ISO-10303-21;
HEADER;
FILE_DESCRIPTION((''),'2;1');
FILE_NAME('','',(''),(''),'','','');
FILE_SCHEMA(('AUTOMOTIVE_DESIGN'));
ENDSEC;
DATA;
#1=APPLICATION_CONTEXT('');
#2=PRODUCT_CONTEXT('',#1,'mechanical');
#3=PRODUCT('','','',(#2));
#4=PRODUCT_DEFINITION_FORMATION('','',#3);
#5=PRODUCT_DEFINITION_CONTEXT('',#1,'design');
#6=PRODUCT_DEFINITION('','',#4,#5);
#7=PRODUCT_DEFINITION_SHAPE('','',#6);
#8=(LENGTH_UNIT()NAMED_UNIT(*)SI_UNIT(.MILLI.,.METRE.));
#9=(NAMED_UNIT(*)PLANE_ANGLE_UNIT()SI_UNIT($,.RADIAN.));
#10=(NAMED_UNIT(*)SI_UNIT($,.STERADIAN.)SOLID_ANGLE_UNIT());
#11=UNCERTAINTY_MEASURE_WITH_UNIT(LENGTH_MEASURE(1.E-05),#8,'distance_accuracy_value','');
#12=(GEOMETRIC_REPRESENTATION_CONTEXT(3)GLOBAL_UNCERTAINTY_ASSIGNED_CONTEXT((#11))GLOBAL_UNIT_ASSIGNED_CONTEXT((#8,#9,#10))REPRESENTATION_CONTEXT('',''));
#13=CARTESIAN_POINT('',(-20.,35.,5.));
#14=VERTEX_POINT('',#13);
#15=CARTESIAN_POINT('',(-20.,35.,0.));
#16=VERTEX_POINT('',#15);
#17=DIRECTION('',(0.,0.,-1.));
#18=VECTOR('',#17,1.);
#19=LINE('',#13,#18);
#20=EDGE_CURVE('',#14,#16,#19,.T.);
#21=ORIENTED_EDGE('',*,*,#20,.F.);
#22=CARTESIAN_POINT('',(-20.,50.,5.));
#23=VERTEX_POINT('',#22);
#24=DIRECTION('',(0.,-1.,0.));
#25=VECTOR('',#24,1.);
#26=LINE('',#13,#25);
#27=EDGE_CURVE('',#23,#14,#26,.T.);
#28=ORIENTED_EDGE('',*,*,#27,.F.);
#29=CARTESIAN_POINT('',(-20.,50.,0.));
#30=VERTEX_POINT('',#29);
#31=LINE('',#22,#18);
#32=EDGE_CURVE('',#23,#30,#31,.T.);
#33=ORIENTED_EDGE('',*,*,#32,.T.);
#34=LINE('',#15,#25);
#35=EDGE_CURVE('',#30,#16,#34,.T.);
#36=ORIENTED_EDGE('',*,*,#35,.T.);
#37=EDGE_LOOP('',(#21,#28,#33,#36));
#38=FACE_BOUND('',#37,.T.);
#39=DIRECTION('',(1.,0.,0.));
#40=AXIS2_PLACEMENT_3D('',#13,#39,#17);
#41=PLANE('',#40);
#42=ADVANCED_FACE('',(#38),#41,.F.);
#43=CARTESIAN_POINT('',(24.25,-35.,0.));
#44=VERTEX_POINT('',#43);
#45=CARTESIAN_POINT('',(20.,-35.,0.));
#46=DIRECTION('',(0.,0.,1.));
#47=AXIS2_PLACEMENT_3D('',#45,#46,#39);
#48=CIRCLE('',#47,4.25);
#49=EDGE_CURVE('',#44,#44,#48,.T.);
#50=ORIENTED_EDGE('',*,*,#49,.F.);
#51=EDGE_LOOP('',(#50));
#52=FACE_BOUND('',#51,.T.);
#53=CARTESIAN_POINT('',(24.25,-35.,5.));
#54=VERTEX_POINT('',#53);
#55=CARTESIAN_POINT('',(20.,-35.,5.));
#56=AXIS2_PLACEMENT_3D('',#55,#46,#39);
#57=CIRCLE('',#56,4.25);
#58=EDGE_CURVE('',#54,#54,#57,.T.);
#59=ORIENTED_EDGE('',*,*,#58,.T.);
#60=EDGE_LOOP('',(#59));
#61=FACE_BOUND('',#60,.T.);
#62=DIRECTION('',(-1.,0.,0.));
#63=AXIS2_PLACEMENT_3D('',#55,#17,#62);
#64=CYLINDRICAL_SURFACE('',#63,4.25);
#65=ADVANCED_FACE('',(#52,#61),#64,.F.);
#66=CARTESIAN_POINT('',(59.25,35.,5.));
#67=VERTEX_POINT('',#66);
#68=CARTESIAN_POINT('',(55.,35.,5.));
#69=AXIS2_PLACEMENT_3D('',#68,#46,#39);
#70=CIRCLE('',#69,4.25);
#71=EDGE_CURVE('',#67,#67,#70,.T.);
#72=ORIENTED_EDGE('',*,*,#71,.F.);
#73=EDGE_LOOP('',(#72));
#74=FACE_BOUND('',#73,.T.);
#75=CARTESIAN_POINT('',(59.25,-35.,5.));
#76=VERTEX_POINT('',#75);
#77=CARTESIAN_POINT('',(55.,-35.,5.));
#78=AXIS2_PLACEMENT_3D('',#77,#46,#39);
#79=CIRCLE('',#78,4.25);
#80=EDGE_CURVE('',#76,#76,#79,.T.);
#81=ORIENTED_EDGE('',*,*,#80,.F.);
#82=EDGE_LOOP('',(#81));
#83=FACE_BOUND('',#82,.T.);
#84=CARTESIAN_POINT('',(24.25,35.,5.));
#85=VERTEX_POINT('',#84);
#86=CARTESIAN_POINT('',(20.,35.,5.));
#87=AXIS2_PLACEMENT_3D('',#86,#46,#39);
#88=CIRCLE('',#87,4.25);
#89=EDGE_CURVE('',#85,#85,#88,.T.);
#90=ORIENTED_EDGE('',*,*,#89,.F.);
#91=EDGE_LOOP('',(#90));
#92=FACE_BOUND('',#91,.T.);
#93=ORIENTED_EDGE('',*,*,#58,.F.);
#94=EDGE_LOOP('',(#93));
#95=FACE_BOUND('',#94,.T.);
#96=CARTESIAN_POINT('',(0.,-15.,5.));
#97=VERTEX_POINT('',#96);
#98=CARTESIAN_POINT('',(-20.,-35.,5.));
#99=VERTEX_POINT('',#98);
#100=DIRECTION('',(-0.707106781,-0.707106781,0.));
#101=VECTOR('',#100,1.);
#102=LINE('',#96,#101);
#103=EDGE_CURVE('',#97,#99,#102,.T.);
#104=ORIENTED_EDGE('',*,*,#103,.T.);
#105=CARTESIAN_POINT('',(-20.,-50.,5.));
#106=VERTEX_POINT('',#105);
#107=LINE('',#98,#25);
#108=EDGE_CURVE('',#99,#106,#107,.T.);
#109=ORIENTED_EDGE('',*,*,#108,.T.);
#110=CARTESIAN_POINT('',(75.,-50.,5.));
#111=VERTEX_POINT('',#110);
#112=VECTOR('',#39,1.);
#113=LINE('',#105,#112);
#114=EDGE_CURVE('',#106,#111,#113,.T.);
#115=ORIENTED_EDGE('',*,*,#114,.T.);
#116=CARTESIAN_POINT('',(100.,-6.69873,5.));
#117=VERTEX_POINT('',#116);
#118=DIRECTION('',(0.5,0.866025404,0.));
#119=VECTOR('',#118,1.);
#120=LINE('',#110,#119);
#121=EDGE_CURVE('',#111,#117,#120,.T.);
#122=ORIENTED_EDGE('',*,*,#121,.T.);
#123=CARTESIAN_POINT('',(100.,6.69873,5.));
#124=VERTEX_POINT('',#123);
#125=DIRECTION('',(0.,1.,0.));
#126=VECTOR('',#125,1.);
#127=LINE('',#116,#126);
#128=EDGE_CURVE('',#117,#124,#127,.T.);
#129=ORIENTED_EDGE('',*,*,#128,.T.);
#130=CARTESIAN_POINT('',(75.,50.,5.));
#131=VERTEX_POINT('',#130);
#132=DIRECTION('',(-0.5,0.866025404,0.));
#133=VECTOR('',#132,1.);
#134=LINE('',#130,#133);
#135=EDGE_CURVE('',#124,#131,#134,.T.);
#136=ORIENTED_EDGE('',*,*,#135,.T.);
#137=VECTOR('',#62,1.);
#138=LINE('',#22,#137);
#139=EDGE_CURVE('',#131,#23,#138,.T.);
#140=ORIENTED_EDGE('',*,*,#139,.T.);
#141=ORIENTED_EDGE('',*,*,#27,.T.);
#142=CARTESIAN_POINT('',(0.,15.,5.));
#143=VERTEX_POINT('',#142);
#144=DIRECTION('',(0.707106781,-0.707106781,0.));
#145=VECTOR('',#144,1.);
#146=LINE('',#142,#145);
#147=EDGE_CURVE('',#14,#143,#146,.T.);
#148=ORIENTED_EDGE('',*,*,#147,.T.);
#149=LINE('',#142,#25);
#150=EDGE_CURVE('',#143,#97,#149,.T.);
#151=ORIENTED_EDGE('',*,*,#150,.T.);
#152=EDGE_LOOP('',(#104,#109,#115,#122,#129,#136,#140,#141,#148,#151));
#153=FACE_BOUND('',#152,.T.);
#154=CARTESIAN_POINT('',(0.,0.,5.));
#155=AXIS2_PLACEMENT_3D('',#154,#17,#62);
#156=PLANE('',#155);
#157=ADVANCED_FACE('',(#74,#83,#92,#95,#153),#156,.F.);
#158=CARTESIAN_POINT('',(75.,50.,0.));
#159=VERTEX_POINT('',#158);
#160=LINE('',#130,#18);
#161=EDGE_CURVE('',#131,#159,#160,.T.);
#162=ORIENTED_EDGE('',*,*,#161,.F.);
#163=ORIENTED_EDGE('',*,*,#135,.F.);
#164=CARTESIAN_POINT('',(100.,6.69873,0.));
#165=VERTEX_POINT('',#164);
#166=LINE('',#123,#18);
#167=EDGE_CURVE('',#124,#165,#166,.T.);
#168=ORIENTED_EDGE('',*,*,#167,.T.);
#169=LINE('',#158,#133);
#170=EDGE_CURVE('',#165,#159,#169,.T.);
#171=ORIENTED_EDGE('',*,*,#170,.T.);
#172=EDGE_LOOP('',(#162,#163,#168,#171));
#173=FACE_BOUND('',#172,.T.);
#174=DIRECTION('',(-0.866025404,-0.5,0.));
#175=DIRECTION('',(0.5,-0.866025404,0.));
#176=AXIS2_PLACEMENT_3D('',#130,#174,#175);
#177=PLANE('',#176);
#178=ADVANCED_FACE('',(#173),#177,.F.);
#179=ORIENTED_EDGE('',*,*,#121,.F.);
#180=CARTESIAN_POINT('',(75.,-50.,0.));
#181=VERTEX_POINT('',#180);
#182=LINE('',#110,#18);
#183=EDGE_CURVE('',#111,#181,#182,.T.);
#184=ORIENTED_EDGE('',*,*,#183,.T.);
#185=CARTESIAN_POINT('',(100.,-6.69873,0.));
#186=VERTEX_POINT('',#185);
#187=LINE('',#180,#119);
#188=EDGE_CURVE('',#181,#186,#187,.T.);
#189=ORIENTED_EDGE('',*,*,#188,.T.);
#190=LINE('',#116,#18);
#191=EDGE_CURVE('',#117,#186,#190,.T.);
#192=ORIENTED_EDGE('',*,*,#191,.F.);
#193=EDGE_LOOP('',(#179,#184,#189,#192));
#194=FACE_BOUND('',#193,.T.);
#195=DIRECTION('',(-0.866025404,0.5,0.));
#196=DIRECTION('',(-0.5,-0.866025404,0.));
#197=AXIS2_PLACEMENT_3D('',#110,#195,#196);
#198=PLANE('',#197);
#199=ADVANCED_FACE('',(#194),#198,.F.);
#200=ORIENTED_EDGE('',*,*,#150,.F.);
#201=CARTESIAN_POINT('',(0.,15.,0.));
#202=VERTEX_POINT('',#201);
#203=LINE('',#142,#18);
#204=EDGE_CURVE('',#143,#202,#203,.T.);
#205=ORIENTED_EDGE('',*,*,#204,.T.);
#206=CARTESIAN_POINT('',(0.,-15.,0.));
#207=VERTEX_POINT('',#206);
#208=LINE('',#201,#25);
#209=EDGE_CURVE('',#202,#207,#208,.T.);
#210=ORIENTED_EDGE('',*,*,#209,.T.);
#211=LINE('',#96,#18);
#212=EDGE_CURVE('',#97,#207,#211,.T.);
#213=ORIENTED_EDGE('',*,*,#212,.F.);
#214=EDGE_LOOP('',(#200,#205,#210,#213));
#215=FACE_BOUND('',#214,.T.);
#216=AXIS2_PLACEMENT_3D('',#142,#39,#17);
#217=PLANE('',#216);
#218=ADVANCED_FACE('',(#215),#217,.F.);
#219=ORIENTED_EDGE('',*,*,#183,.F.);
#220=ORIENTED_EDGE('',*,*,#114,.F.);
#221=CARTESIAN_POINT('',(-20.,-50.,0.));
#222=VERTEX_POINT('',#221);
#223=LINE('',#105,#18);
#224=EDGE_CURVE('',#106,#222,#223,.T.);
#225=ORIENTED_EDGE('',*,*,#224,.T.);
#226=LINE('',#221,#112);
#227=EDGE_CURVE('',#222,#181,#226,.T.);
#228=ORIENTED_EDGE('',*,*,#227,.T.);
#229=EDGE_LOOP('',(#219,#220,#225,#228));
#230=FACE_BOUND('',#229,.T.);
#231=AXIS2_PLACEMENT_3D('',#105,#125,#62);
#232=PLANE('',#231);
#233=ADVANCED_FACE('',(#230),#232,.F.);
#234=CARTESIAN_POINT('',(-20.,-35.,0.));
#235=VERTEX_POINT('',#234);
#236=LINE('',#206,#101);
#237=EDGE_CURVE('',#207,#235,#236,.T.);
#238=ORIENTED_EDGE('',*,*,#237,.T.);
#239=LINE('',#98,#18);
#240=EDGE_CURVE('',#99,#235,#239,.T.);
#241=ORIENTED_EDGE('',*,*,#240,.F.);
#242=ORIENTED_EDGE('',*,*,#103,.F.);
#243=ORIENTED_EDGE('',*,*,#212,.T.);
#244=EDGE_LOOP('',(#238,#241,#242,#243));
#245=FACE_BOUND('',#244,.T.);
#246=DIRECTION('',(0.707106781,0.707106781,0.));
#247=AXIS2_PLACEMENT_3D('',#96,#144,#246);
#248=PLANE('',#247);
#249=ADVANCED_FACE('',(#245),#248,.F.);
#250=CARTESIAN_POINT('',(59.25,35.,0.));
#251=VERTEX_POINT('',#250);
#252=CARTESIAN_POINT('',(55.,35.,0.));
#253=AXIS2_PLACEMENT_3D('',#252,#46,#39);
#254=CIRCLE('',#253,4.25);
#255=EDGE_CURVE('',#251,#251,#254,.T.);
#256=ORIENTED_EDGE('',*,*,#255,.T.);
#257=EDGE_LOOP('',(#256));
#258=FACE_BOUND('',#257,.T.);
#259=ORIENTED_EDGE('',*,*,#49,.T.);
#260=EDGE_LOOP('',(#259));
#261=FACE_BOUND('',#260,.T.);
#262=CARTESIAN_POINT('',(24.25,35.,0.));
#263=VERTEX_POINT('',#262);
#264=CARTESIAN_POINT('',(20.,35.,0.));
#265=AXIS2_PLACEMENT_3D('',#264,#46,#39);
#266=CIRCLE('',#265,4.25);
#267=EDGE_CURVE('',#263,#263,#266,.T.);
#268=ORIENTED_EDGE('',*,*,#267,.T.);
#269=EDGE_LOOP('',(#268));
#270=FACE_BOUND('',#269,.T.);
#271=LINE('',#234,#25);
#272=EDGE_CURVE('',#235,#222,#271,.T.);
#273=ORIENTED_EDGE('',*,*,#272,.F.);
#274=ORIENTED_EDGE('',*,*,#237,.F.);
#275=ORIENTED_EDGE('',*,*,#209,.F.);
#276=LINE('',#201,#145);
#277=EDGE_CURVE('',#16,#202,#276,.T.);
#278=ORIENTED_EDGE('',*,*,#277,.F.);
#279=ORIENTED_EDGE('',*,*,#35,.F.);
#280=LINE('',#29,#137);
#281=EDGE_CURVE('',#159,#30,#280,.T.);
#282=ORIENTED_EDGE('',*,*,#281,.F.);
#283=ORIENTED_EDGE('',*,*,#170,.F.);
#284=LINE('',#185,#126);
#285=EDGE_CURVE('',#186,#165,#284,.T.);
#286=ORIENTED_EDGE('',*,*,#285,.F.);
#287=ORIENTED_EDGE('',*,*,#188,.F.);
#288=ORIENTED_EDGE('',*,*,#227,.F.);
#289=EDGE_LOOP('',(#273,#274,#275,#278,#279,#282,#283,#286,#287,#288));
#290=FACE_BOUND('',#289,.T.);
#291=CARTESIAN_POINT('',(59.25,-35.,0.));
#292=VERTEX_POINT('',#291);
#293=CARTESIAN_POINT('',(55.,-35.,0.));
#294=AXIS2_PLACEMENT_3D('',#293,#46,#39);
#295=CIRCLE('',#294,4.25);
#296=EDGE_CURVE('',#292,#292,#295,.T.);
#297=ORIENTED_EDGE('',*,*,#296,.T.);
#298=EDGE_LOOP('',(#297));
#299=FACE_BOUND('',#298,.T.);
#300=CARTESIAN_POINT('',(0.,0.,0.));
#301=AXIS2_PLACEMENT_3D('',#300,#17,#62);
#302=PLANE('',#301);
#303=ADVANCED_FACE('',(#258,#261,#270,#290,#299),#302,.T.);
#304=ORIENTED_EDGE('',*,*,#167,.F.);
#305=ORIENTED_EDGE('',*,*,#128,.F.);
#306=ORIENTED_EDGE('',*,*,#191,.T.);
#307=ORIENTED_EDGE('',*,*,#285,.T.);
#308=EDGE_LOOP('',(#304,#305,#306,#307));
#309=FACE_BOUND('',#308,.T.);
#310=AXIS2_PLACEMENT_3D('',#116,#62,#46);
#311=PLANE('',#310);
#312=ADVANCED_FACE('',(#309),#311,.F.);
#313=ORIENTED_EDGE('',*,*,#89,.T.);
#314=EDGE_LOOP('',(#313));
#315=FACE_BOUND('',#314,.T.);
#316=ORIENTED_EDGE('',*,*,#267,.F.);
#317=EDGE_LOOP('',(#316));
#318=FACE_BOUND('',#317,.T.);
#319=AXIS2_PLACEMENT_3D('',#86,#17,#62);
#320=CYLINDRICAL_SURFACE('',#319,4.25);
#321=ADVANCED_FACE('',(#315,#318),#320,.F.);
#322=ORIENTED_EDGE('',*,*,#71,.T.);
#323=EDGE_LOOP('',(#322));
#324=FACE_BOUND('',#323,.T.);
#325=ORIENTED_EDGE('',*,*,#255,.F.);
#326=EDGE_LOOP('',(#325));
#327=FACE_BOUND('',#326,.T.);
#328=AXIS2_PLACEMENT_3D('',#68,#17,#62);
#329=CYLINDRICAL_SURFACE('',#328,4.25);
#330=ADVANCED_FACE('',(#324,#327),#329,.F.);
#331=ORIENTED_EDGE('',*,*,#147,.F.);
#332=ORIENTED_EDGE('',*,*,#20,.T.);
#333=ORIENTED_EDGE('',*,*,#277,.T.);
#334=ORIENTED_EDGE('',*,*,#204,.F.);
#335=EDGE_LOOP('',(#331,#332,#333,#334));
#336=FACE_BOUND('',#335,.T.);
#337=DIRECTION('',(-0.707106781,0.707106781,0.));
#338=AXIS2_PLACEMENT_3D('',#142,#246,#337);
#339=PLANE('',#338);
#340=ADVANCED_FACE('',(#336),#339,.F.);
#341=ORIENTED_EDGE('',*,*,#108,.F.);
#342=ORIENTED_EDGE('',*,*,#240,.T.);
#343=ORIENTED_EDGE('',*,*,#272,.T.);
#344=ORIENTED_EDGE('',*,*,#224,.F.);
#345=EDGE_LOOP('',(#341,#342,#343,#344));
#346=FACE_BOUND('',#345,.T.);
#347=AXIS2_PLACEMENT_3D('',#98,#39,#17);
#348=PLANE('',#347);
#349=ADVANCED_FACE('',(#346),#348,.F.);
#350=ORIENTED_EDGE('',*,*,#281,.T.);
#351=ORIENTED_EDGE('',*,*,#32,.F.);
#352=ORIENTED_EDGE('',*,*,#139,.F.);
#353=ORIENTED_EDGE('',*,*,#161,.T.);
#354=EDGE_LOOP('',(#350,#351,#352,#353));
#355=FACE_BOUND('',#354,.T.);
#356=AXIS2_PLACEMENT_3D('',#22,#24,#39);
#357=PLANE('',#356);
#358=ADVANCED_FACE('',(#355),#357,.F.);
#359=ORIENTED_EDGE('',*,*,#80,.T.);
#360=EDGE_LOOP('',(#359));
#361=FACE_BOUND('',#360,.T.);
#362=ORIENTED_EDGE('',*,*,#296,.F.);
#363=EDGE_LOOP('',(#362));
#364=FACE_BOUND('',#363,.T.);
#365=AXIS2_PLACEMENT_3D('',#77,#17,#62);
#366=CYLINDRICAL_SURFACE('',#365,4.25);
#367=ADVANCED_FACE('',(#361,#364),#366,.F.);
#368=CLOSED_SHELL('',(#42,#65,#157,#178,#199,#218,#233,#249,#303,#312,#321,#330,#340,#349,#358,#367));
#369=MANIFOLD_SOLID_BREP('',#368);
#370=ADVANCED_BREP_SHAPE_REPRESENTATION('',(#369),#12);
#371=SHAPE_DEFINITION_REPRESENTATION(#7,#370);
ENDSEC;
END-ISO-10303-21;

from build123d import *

# Parameters (mm, degrees)
SKIZZE1_R                       = 4.25
AUFSATZ_LINEAR_AUSTRAGEN1_DEPTH = 5


with BuildPart() as part:
    # Skizze1 → Aufsatz-Linear austragen1 (new body)
    with BuildSketch(Plane.XY):
        Polygon((0, 15), (0, -15), (-20, -35), (-20, -50), (75, -50), (100, -6.698729811), (100, 6.698729811), (75, 50), (-20, 50), (-20, 35), align=None)
        with Locations((20, 35)):
            Circle(SKIZZE1_R, mode=Mode.SUBTRACT)
        with Locations((55, 35)):
            Circle(SKIZZE1_R, mode=Mode.SUBTRACT)
        with Locations((20, -35)):
            Circle(SKIZZE1_R, mode=Mode.SUBTRACT)
        with Locations((55, -35)):
            Circle(SKIZZE1_R, mode=Mode.SUBTRACT)
    extrude(amount=AUFSATZ_LINEAR_AUSTRAGEN1_DEPTH)


solid = part.part
